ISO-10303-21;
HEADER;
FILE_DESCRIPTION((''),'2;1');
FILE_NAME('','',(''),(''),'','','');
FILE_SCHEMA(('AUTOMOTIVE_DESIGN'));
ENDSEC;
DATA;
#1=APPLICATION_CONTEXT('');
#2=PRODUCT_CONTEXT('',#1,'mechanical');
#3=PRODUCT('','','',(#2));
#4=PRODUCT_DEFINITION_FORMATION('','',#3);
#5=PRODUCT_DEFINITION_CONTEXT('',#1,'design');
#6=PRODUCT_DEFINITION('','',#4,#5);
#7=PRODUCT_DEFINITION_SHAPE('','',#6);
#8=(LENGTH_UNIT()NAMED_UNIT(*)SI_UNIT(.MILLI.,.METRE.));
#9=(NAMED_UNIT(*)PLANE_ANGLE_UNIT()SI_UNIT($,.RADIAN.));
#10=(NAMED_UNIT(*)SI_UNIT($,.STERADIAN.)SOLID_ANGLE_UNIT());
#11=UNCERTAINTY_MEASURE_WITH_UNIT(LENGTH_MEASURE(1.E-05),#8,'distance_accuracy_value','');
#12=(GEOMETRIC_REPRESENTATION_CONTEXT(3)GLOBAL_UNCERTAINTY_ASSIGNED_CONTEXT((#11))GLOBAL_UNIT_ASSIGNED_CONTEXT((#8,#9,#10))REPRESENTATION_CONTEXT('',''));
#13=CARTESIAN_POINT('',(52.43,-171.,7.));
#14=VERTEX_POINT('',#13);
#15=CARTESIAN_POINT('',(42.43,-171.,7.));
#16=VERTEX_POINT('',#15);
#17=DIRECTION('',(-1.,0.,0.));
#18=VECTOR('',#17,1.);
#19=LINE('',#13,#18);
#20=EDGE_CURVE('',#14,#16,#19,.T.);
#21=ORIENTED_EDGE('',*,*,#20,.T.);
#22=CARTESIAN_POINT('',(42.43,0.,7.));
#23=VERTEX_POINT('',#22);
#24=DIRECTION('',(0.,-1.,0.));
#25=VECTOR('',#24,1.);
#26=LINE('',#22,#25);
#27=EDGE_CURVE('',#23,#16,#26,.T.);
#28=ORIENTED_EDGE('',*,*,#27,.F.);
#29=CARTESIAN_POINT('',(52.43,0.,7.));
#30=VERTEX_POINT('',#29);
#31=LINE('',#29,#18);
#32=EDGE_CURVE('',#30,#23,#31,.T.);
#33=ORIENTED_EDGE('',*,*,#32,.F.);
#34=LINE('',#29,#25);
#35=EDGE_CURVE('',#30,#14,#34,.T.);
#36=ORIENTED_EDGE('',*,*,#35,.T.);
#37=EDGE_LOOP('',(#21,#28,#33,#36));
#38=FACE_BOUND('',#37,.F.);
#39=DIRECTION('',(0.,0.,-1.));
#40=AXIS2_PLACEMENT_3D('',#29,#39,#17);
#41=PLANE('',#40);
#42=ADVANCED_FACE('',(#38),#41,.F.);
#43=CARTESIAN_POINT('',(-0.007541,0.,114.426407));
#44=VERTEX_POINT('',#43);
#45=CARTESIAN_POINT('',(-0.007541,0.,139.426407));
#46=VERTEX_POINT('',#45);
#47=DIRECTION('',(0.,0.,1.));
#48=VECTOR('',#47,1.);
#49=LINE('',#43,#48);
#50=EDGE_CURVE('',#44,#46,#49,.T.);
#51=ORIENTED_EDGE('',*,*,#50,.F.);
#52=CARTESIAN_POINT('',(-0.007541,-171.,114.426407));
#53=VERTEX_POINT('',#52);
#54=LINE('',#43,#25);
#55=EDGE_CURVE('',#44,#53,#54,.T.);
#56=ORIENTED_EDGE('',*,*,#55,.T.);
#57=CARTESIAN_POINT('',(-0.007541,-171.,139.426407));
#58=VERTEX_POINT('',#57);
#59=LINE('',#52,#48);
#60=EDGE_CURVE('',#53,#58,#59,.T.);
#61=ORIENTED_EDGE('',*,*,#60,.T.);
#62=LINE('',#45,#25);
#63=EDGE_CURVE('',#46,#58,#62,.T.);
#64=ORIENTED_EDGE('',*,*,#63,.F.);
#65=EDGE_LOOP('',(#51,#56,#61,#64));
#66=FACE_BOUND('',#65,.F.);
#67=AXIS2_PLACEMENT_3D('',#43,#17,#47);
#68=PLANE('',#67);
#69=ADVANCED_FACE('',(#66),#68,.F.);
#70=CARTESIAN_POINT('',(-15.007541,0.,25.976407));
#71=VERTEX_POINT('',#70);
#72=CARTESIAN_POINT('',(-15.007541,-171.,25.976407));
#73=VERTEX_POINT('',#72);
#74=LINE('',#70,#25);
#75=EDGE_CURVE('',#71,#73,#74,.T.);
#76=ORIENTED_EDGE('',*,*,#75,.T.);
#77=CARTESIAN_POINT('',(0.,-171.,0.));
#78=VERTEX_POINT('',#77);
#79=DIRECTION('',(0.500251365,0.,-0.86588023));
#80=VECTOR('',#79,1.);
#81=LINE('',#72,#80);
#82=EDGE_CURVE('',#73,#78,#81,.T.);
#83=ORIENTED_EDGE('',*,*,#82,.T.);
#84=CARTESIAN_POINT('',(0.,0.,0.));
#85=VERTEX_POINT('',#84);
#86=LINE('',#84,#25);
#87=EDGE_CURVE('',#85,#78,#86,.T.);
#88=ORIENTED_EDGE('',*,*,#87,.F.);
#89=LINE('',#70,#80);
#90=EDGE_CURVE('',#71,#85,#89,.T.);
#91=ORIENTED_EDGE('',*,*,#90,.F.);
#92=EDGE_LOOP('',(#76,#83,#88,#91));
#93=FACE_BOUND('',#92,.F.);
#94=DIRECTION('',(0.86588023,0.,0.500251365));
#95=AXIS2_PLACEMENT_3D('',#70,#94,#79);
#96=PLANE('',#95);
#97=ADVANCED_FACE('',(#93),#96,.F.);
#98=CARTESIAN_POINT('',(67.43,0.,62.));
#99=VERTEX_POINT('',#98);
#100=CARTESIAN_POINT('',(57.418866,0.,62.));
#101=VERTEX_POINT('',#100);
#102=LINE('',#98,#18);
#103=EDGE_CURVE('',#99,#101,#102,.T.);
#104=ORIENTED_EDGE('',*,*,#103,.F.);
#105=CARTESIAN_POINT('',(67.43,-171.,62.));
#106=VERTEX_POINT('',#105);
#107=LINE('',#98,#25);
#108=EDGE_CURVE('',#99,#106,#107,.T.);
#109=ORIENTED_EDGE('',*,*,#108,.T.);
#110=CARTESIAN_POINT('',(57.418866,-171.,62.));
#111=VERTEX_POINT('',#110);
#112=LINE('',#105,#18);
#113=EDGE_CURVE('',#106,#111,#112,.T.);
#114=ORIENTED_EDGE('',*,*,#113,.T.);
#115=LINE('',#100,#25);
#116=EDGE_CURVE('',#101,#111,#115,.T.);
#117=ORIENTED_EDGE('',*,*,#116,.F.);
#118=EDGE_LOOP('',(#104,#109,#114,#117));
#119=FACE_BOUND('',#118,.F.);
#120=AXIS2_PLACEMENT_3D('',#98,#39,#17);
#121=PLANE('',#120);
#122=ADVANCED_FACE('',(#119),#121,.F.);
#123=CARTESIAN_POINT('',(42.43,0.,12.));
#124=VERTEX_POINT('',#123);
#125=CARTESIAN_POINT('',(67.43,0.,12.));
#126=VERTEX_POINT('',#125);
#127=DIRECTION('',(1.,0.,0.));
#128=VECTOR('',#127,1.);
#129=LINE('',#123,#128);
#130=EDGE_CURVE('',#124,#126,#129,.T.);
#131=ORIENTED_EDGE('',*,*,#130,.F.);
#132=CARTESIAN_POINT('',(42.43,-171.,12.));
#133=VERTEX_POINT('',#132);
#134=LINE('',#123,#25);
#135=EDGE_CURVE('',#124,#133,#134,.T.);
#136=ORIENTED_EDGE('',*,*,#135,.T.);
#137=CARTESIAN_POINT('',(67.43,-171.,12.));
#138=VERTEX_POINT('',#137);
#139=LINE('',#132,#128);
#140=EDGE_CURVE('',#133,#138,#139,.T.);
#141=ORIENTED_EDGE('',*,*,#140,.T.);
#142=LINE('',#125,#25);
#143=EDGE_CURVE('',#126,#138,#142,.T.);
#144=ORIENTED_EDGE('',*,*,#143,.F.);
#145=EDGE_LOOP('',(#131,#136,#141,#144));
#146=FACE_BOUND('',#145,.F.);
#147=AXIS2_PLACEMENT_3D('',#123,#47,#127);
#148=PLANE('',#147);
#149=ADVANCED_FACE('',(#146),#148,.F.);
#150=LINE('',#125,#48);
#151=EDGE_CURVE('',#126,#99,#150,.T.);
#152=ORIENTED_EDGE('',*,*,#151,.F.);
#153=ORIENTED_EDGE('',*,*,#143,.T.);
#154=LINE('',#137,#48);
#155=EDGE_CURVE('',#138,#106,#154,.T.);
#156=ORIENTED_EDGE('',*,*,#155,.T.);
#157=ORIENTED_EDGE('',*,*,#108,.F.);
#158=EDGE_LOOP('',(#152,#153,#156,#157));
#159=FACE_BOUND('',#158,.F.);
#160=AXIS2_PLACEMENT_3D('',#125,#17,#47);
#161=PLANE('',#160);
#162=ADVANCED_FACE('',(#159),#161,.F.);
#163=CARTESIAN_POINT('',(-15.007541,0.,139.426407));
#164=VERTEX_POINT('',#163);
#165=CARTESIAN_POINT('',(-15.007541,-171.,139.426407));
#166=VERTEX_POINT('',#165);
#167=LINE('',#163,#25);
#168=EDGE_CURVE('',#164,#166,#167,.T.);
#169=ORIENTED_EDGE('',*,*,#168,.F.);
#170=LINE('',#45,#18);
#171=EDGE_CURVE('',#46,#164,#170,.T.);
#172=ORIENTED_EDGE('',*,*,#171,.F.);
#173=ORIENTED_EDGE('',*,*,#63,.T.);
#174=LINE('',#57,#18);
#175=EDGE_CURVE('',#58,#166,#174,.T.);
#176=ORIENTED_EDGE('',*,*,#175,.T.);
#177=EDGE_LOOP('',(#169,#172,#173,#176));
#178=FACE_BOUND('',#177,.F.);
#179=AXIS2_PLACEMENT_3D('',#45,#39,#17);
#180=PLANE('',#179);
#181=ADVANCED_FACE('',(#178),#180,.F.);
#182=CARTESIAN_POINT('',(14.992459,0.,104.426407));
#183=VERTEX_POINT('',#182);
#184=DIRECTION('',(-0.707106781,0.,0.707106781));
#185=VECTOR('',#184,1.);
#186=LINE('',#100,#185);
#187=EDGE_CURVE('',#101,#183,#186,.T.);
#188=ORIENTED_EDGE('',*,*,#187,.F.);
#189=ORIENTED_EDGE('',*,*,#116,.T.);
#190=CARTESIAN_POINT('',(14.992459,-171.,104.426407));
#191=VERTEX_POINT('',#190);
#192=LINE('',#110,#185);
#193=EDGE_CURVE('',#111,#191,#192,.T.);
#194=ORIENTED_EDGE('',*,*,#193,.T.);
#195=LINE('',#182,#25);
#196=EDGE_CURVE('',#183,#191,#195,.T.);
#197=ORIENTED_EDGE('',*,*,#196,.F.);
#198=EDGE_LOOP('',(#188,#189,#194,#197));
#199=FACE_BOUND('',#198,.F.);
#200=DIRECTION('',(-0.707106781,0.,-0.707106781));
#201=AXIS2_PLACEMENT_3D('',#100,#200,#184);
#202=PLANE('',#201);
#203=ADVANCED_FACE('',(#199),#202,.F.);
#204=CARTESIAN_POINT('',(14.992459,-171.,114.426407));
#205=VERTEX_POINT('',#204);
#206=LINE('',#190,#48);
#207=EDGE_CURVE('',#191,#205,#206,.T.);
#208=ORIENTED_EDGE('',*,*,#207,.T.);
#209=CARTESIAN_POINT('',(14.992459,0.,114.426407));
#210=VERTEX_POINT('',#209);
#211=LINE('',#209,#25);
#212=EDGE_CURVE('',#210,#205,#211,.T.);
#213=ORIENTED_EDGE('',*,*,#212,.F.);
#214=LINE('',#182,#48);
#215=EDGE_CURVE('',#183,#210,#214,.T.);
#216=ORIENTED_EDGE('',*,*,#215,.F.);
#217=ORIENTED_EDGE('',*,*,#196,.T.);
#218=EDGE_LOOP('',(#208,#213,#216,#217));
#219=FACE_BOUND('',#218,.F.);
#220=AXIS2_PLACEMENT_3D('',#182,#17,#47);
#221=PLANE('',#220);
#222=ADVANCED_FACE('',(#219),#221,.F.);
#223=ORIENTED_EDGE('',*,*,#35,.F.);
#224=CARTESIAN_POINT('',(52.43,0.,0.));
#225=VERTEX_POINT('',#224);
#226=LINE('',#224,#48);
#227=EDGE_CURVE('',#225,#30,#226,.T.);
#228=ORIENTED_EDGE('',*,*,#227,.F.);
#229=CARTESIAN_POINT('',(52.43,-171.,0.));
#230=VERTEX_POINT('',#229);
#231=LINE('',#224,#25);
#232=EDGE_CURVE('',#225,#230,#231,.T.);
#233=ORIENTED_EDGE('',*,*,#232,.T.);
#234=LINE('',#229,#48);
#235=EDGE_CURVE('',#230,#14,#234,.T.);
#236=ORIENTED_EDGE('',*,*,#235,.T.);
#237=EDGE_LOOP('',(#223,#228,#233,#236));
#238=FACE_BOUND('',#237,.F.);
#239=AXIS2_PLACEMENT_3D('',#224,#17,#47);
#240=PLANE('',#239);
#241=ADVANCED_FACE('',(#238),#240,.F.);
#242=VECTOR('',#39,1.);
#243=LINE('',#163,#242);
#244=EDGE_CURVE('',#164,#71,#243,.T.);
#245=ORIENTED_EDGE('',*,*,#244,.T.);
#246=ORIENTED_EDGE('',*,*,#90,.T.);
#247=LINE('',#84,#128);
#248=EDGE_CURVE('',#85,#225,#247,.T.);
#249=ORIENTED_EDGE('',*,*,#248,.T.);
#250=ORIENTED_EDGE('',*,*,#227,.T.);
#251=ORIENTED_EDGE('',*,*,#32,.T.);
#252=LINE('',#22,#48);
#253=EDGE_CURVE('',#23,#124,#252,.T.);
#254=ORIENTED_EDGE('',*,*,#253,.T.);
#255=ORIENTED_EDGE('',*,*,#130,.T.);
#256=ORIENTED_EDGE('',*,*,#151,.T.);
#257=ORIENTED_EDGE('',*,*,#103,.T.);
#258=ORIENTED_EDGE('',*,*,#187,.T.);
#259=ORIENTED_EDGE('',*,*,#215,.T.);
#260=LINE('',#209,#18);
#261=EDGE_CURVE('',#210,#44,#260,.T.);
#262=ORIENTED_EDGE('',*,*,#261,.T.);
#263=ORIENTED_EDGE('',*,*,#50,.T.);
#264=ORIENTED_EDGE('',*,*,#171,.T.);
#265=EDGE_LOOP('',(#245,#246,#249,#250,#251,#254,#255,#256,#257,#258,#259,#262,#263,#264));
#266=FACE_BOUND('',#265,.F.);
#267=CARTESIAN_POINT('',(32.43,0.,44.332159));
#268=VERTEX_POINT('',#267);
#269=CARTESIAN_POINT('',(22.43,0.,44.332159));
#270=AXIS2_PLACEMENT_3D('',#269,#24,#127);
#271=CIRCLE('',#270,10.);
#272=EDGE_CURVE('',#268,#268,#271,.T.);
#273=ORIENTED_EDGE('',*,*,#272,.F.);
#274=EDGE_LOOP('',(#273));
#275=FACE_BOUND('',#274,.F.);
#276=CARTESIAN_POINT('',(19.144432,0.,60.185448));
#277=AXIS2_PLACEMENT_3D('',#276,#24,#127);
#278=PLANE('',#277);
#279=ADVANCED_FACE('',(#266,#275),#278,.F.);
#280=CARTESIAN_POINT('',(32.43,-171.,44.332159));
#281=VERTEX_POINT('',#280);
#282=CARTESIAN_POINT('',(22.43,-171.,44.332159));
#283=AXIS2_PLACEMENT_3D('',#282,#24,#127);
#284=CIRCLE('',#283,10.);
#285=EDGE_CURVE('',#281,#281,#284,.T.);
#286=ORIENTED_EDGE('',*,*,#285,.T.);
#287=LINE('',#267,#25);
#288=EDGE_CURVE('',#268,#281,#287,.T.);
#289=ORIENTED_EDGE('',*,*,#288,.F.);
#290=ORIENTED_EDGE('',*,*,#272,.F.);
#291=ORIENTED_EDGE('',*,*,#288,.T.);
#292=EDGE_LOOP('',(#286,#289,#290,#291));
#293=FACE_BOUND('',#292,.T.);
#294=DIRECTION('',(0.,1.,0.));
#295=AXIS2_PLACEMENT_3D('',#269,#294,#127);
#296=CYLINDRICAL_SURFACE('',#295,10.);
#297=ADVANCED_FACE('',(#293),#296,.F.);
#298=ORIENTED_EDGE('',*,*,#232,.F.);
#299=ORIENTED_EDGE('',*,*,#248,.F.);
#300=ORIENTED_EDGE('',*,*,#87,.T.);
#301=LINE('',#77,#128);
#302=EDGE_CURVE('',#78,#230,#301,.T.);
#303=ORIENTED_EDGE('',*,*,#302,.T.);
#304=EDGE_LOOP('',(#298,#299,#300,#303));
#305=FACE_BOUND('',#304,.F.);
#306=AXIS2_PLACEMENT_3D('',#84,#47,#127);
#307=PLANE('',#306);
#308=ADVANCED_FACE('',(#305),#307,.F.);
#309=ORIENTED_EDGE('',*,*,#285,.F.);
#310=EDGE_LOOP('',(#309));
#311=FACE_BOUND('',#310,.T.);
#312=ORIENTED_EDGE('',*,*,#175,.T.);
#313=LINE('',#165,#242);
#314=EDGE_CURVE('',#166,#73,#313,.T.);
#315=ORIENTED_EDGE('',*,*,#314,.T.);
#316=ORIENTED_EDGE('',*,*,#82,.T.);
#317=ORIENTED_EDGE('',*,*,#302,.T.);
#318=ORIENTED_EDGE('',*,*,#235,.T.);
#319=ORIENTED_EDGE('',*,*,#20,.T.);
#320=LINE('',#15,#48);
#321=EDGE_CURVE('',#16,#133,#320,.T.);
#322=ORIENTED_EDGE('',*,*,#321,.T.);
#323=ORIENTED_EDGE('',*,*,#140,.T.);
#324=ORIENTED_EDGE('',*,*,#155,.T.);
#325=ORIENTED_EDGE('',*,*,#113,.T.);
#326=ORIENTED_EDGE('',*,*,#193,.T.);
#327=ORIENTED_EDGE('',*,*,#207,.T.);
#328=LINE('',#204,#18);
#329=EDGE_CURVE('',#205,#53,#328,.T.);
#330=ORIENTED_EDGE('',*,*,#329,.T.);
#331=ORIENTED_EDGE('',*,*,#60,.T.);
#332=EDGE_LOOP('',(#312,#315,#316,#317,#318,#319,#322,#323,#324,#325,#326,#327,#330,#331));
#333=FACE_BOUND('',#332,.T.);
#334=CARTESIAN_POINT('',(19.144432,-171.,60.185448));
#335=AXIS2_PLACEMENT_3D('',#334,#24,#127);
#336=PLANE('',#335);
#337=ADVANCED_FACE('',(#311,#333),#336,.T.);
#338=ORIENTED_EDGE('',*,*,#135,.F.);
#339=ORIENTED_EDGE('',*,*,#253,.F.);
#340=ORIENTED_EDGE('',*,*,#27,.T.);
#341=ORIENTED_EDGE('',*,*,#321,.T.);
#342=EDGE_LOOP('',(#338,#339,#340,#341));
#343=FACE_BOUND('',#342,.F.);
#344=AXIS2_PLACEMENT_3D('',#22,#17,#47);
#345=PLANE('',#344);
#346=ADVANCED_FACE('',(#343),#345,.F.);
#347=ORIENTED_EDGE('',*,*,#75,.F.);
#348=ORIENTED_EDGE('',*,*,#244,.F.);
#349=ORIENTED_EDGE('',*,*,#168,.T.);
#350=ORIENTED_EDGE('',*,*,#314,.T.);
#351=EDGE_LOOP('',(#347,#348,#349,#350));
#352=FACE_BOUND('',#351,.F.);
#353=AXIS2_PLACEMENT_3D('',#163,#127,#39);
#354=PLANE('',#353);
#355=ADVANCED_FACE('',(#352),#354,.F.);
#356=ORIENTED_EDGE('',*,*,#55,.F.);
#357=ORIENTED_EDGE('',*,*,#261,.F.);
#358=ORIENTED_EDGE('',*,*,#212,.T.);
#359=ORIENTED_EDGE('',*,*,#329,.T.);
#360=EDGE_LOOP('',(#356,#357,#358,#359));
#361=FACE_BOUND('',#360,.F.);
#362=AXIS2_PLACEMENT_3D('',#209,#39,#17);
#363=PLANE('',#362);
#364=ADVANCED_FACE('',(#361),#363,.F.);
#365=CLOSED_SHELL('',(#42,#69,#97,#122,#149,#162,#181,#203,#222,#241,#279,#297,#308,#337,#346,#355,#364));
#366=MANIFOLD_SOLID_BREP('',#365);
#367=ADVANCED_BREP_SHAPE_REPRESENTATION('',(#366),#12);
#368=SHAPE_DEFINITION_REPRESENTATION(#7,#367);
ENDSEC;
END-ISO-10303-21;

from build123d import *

# Parameters (mm, degrees)
F0_R     = 10
F1_DEPTH = 171


with BuildPart() as f1:
    # F0 (on Front) → F1 (new body)
    with BuildSketch(Plane.XZ):
        Polygon((-0.007541, 139.426407), (-15.007541, 139.426407), (-15.007541, 25.976407), (0, 0), (52.43, 0), (52.43, 7), (42.43, 7), (42.43, 12), (67.43, 12), (67.43, 62), (57.418866, 62), (14.992459, 104.426407), (14.992459, 114.426407), (-0.007541, 114.426407), align=None)
        with Locations((22.43, 44.332159)):
            Circle(F0_R, mode=Mode.SUBTRACT)
    extrude(amount=F1_DEPTH)


solid = f1.part
